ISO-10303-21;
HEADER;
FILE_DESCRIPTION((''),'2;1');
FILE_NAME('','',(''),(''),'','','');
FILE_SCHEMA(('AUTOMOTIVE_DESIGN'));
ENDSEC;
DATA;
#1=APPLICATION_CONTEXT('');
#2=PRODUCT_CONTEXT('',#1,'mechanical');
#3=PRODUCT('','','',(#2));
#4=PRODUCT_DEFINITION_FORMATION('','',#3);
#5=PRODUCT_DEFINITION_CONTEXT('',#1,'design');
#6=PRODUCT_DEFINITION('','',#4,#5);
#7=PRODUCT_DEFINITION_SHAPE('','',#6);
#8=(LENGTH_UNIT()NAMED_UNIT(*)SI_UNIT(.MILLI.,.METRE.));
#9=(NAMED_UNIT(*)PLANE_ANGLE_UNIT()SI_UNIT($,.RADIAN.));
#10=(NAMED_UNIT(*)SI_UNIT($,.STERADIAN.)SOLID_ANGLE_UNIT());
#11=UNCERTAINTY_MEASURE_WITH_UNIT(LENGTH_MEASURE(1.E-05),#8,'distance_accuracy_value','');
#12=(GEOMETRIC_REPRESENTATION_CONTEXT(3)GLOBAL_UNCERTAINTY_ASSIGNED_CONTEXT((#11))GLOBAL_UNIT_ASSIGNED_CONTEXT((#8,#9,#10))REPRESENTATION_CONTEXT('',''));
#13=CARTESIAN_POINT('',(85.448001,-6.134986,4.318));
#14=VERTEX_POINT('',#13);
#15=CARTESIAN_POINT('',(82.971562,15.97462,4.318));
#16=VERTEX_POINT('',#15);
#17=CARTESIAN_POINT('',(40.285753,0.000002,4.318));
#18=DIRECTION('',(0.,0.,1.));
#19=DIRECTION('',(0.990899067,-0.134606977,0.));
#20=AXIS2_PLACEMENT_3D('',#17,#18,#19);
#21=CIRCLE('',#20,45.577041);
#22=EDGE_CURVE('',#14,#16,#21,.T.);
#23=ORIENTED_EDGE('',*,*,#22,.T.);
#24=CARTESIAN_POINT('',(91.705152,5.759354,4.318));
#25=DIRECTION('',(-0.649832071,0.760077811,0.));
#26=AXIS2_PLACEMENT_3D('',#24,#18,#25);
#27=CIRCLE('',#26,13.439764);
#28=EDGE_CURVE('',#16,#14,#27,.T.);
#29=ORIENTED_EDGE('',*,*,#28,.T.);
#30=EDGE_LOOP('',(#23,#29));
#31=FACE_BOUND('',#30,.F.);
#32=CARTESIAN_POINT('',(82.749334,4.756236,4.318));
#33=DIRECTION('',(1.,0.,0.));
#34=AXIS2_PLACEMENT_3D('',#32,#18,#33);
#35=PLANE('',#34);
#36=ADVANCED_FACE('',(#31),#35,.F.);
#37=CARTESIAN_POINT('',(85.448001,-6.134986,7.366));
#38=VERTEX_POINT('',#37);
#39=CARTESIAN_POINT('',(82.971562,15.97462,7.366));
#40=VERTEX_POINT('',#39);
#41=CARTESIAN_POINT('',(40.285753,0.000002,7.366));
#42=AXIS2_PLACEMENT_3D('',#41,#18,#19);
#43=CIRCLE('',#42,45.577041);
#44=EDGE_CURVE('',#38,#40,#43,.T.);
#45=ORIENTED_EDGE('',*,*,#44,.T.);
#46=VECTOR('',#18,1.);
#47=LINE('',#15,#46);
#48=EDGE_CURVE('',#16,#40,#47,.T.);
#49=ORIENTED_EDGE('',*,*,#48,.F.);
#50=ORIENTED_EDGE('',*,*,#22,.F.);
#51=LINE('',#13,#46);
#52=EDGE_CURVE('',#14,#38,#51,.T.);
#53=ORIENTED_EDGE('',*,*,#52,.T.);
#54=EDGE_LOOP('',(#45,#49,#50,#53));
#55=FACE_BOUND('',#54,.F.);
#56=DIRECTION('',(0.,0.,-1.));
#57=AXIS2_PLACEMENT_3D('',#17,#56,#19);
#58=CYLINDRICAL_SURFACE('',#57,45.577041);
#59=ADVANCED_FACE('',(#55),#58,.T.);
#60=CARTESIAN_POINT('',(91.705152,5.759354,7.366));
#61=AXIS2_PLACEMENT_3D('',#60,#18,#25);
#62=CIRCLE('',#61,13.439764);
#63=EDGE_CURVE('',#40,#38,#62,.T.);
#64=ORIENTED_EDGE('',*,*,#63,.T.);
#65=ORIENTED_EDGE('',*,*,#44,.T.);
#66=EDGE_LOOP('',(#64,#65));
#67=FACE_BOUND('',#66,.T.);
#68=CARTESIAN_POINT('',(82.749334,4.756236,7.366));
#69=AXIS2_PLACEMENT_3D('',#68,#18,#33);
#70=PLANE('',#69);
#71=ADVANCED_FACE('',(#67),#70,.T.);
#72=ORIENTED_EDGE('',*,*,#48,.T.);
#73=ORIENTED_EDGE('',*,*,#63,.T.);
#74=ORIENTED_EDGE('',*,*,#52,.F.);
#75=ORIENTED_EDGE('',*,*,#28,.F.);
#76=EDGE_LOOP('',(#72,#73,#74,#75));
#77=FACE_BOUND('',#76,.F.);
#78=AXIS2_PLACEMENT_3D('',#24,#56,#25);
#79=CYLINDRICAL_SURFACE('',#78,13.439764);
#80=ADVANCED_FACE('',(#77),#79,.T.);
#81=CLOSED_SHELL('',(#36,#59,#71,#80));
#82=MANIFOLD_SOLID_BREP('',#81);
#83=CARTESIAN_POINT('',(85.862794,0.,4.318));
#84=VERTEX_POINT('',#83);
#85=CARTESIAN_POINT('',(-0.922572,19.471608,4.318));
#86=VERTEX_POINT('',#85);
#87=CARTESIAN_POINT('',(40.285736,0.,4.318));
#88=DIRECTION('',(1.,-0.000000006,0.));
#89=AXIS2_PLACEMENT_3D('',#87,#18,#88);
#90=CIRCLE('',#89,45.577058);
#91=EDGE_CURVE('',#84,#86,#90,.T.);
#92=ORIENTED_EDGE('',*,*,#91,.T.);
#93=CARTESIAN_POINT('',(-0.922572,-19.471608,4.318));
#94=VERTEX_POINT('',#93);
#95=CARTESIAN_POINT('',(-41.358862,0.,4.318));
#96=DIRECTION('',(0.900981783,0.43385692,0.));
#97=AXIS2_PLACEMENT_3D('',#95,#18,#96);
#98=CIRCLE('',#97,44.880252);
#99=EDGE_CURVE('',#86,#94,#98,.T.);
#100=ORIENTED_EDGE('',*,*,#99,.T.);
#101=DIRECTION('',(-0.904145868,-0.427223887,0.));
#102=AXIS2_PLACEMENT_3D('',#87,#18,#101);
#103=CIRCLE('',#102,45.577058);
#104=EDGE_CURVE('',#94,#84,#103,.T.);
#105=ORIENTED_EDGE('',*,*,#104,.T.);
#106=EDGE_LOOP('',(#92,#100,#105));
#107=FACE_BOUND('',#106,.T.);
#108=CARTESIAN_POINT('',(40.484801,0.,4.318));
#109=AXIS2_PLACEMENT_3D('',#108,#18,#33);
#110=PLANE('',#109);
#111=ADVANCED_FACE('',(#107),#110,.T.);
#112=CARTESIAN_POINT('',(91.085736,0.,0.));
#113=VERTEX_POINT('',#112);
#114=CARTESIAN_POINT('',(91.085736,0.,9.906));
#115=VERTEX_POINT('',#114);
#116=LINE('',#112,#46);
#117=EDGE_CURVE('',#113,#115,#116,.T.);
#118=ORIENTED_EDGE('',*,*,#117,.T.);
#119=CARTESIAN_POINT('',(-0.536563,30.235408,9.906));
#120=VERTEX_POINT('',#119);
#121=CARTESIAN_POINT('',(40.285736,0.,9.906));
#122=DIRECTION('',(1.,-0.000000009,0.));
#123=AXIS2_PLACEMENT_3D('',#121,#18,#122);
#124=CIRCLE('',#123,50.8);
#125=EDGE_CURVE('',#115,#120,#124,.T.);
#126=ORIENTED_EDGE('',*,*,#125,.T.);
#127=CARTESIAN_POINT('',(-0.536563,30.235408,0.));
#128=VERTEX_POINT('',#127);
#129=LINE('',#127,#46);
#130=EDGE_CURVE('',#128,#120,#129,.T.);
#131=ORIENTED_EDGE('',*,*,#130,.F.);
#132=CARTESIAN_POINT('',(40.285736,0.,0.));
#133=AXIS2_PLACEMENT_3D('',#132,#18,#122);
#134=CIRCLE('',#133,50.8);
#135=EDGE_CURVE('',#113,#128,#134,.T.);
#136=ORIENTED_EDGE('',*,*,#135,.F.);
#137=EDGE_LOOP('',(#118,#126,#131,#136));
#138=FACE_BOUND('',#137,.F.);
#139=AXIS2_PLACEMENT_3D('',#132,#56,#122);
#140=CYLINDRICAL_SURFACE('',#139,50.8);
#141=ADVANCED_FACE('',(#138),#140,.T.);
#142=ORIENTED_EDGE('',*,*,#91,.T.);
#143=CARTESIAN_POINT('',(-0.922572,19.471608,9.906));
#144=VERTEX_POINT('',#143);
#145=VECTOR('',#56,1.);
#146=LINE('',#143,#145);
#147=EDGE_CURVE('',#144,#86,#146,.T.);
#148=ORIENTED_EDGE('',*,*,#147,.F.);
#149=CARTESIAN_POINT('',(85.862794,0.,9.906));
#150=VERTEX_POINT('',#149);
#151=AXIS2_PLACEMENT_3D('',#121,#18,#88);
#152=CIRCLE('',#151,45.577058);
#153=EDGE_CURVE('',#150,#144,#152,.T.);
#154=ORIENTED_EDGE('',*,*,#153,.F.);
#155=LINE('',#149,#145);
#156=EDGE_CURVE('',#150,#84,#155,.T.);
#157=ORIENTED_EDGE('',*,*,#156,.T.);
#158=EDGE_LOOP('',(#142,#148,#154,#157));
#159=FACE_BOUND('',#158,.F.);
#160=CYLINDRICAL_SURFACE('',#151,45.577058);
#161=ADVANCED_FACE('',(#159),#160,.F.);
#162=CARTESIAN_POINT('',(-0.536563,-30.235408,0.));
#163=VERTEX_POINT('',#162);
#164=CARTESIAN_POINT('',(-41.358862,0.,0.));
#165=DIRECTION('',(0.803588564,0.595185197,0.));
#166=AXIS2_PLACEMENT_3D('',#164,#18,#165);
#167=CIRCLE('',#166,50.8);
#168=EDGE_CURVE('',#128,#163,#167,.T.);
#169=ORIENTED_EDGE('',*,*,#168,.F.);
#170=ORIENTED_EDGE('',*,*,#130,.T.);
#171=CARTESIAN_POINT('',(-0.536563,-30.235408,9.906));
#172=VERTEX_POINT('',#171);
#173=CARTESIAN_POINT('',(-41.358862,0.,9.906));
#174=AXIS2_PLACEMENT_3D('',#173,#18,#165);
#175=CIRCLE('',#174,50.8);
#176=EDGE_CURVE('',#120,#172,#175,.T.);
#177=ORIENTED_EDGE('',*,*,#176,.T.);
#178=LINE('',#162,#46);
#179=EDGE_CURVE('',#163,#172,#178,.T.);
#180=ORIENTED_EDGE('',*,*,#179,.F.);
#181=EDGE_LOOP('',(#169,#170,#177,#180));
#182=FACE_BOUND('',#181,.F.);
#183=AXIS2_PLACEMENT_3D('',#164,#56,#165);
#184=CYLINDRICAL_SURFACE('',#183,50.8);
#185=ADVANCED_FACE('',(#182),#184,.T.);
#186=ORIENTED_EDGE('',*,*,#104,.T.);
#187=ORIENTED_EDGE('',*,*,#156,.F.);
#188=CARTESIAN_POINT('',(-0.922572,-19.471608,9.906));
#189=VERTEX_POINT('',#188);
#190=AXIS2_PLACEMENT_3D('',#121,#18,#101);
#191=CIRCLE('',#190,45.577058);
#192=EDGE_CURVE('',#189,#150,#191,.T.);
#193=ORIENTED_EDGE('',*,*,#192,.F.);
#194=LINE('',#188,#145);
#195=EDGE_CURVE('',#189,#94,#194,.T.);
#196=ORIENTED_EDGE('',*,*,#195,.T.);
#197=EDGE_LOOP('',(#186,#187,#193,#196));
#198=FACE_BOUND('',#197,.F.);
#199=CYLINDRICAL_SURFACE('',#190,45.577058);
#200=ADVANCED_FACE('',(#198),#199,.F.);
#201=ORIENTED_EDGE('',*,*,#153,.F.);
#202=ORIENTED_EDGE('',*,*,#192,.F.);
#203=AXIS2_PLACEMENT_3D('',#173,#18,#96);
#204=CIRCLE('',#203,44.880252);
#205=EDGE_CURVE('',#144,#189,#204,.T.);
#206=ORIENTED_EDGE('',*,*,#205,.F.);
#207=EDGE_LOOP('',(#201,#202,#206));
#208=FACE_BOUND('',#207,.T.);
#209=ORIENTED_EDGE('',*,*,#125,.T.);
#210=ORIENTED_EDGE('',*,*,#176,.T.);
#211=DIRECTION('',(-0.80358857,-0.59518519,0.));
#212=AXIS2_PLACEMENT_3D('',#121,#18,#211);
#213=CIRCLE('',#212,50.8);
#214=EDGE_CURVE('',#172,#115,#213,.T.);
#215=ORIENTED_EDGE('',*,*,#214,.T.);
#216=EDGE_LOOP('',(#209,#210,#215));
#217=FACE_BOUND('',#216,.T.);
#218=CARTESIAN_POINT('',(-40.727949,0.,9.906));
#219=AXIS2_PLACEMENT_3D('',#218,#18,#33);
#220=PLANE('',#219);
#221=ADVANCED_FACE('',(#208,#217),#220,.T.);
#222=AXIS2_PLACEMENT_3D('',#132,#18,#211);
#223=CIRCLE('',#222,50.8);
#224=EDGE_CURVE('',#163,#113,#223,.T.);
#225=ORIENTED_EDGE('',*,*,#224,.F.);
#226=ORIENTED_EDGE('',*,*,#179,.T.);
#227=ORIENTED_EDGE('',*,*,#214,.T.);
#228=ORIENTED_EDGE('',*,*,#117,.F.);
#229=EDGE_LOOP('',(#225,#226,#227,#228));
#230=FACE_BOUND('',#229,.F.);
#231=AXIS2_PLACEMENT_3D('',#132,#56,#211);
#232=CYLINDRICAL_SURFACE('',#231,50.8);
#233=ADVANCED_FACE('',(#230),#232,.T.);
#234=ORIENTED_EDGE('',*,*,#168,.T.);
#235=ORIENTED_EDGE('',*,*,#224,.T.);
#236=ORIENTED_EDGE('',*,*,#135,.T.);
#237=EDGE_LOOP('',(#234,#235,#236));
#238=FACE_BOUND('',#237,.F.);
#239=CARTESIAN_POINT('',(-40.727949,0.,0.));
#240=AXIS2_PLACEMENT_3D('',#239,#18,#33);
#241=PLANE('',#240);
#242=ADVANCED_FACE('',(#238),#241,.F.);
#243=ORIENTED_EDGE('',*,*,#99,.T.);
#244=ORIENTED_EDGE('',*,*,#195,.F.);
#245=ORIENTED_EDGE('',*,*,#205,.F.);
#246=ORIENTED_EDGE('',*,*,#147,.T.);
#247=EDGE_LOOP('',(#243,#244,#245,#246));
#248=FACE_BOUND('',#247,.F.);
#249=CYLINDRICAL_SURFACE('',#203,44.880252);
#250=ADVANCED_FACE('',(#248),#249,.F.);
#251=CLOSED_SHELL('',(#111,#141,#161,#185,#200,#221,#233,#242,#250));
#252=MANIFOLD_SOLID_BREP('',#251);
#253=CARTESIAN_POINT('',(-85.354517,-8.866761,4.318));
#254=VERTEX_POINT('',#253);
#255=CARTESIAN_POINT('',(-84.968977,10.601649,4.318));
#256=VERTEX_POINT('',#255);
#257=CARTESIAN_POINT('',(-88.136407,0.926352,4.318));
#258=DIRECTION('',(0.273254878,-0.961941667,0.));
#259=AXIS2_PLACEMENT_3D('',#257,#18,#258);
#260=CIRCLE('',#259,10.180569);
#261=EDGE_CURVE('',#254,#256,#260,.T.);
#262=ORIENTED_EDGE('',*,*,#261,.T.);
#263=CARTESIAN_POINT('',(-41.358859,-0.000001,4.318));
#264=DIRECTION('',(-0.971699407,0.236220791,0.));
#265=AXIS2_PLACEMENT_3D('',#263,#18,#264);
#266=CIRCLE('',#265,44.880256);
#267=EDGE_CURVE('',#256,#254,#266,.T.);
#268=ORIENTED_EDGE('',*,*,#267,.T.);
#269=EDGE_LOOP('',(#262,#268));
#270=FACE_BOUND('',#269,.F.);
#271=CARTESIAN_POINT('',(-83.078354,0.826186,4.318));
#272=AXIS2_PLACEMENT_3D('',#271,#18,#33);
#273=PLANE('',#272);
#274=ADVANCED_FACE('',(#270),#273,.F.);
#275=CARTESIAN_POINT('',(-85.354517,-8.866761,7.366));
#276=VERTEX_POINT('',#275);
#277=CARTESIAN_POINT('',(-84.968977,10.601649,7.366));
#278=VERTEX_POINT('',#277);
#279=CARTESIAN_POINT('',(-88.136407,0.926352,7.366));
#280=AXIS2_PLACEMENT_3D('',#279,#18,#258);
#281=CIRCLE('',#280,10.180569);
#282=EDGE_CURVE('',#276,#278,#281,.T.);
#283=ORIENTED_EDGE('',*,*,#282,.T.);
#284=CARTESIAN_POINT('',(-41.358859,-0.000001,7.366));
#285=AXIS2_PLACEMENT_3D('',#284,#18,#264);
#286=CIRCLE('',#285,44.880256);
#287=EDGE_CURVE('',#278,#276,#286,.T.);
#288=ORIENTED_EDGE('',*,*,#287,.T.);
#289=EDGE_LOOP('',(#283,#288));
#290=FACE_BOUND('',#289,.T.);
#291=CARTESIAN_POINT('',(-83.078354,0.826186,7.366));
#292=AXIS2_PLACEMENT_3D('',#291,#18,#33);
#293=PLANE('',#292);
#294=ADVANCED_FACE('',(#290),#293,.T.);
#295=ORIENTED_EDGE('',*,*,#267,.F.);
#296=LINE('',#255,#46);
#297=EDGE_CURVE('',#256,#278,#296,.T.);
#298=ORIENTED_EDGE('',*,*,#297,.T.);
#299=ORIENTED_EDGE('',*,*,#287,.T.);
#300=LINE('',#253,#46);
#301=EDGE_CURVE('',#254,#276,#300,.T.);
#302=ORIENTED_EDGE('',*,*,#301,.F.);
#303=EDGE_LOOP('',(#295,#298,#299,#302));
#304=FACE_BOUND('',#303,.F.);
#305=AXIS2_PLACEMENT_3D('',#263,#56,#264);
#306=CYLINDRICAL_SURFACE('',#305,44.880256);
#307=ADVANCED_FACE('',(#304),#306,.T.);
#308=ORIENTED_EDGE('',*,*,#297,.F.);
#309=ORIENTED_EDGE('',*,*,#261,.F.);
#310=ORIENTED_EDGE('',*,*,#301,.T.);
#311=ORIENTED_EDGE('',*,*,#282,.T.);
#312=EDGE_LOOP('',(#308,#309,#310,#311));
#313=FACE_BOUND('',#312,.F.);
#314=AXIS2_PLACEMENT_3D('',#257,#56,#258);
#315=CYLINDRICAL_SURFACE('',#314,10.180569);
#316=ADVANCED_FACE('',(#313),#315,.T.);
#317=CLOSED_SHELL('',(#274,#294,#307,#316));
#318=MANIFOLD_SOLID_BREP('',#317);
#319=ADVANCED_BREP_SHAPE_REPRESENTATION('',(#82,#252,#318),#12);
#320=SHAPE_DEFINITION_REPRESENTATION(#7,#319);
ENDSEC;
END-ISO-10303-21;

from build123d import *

# Parameters (mm, degrees)
F1_DEPTH = 9.906
F3_DEPTH = 5.588
F5_DEPTH = 3.048


with BuildPart() as f1:
    # F0 (on Top) → F1 (new body)
    with BuildSketch(Plane.XY):
        with BuildLine():
            ThreePointArc((-0.536563, -30.235408), (-10.514264, 0), (-0.536563, 30.235408))
            ThreePointArc((-0.536563, 30.235408), (-92.158862, 0), (-0.536563, -30.235408))
        make_face()
        with BuildLine():
            ThreePointArc((-0.536563, 30.235408), (6.882265, 15.919598), (9.441138, 0))
            ThreePointArc((9.441138, 0), (6.882265, -15.919598), (-0.536563, -30.235408))
            ThreePointArc((-0.536563, -30.235408), (56.205334, -48.241128), (91.085736, 0))
            ThreePointArc((91.085736, 0), (56.205334, 48.241128), (-0.536563, 30.235408))
        make_face()
        with BuildLine():
            ThreePointArc((-0.536563, -30.235408), (6.882265, -15.919598), (9.441138, 0))
            ThreePointArc((9.441138, 0), (6.882265, 15.919598), (-0.536563, 30.235408))
            ThreePointArc((-0.536563, 30.235408), (-10.514264, 0), (-0.536563, -30.235408))
        make_face()
    extrude(amount=F1_DEPTH)

    # F2 (on face) → F3 (cut)
    with BuildSketch(Plane.XY.offset(9.906)):
        with BuildLine():
            ThreePointArc((-0.922572, 19.471608), (2.396297, 9.986144), (3.52139, 0))
            ThreePointArc((3.52139, 0), (2.396297, -9.986144), (-0.922572, -19.471608))
            ThreePointArc((-0.922572, -19.471608), (50.26358, -44.471461), (85.862794, 0))
            ThreePointArc((85.862794, 0), (50.26358, 44.471461), (-0.922572, 19.471608))
        make_face()
        with BuildLine():
            ThreePointArc((-0.922572, -19.471608), (-5.291322, 0), (-0.922572, 19.471608))
            ThreePointArc((-0.922572, 19.471608), (-86.239114, 0), (-0.922572, -19.471608))
        make_face()
        with BuildLine():
            ThreePointArc((-0.922572, -19.471608), (2.396297, -9.986144), (3.52139, 0))
            ThreePointArc((3.52139, 0), (2.396297, 9.986144), (-0.922572, 19.471608))
            ThreePointArc((-0.922572, 19.471608), (-5.291322, 0), (-0.922572, -19.471608))
        make_face()
    extrude(amount=-F3_DEPTH, mode=Mode.SUBTRACT)


with BuildPart() as f5:
    # F4 (on face) → F5 (new body)
    with BuildSketch(Plane.XY.offset(4.318)):
        with BuildLine():
            ThreePointArc((-84.968977, 10.601649), (-86.230317, 0.888606), (-85.354517, -8.866761))
            ThreePointArc((-85.354517, -8.866761), (-77.957834, 0.724783), (-84.968977, 10.601649))
        make_face()
        with BuildLine():
            ThreePointArc((82.971562, 15.97462), (78.348908, 4.263356), (85.448001, -6.134986))
            ThreePointArc((85.448001, -6.134986), (85.57956, 5.073242), (82.971562, 15.97462))
        make_face()
    extrude(amount=F5_DEPTH)


solid = Compound([f1.part, f5.part])
